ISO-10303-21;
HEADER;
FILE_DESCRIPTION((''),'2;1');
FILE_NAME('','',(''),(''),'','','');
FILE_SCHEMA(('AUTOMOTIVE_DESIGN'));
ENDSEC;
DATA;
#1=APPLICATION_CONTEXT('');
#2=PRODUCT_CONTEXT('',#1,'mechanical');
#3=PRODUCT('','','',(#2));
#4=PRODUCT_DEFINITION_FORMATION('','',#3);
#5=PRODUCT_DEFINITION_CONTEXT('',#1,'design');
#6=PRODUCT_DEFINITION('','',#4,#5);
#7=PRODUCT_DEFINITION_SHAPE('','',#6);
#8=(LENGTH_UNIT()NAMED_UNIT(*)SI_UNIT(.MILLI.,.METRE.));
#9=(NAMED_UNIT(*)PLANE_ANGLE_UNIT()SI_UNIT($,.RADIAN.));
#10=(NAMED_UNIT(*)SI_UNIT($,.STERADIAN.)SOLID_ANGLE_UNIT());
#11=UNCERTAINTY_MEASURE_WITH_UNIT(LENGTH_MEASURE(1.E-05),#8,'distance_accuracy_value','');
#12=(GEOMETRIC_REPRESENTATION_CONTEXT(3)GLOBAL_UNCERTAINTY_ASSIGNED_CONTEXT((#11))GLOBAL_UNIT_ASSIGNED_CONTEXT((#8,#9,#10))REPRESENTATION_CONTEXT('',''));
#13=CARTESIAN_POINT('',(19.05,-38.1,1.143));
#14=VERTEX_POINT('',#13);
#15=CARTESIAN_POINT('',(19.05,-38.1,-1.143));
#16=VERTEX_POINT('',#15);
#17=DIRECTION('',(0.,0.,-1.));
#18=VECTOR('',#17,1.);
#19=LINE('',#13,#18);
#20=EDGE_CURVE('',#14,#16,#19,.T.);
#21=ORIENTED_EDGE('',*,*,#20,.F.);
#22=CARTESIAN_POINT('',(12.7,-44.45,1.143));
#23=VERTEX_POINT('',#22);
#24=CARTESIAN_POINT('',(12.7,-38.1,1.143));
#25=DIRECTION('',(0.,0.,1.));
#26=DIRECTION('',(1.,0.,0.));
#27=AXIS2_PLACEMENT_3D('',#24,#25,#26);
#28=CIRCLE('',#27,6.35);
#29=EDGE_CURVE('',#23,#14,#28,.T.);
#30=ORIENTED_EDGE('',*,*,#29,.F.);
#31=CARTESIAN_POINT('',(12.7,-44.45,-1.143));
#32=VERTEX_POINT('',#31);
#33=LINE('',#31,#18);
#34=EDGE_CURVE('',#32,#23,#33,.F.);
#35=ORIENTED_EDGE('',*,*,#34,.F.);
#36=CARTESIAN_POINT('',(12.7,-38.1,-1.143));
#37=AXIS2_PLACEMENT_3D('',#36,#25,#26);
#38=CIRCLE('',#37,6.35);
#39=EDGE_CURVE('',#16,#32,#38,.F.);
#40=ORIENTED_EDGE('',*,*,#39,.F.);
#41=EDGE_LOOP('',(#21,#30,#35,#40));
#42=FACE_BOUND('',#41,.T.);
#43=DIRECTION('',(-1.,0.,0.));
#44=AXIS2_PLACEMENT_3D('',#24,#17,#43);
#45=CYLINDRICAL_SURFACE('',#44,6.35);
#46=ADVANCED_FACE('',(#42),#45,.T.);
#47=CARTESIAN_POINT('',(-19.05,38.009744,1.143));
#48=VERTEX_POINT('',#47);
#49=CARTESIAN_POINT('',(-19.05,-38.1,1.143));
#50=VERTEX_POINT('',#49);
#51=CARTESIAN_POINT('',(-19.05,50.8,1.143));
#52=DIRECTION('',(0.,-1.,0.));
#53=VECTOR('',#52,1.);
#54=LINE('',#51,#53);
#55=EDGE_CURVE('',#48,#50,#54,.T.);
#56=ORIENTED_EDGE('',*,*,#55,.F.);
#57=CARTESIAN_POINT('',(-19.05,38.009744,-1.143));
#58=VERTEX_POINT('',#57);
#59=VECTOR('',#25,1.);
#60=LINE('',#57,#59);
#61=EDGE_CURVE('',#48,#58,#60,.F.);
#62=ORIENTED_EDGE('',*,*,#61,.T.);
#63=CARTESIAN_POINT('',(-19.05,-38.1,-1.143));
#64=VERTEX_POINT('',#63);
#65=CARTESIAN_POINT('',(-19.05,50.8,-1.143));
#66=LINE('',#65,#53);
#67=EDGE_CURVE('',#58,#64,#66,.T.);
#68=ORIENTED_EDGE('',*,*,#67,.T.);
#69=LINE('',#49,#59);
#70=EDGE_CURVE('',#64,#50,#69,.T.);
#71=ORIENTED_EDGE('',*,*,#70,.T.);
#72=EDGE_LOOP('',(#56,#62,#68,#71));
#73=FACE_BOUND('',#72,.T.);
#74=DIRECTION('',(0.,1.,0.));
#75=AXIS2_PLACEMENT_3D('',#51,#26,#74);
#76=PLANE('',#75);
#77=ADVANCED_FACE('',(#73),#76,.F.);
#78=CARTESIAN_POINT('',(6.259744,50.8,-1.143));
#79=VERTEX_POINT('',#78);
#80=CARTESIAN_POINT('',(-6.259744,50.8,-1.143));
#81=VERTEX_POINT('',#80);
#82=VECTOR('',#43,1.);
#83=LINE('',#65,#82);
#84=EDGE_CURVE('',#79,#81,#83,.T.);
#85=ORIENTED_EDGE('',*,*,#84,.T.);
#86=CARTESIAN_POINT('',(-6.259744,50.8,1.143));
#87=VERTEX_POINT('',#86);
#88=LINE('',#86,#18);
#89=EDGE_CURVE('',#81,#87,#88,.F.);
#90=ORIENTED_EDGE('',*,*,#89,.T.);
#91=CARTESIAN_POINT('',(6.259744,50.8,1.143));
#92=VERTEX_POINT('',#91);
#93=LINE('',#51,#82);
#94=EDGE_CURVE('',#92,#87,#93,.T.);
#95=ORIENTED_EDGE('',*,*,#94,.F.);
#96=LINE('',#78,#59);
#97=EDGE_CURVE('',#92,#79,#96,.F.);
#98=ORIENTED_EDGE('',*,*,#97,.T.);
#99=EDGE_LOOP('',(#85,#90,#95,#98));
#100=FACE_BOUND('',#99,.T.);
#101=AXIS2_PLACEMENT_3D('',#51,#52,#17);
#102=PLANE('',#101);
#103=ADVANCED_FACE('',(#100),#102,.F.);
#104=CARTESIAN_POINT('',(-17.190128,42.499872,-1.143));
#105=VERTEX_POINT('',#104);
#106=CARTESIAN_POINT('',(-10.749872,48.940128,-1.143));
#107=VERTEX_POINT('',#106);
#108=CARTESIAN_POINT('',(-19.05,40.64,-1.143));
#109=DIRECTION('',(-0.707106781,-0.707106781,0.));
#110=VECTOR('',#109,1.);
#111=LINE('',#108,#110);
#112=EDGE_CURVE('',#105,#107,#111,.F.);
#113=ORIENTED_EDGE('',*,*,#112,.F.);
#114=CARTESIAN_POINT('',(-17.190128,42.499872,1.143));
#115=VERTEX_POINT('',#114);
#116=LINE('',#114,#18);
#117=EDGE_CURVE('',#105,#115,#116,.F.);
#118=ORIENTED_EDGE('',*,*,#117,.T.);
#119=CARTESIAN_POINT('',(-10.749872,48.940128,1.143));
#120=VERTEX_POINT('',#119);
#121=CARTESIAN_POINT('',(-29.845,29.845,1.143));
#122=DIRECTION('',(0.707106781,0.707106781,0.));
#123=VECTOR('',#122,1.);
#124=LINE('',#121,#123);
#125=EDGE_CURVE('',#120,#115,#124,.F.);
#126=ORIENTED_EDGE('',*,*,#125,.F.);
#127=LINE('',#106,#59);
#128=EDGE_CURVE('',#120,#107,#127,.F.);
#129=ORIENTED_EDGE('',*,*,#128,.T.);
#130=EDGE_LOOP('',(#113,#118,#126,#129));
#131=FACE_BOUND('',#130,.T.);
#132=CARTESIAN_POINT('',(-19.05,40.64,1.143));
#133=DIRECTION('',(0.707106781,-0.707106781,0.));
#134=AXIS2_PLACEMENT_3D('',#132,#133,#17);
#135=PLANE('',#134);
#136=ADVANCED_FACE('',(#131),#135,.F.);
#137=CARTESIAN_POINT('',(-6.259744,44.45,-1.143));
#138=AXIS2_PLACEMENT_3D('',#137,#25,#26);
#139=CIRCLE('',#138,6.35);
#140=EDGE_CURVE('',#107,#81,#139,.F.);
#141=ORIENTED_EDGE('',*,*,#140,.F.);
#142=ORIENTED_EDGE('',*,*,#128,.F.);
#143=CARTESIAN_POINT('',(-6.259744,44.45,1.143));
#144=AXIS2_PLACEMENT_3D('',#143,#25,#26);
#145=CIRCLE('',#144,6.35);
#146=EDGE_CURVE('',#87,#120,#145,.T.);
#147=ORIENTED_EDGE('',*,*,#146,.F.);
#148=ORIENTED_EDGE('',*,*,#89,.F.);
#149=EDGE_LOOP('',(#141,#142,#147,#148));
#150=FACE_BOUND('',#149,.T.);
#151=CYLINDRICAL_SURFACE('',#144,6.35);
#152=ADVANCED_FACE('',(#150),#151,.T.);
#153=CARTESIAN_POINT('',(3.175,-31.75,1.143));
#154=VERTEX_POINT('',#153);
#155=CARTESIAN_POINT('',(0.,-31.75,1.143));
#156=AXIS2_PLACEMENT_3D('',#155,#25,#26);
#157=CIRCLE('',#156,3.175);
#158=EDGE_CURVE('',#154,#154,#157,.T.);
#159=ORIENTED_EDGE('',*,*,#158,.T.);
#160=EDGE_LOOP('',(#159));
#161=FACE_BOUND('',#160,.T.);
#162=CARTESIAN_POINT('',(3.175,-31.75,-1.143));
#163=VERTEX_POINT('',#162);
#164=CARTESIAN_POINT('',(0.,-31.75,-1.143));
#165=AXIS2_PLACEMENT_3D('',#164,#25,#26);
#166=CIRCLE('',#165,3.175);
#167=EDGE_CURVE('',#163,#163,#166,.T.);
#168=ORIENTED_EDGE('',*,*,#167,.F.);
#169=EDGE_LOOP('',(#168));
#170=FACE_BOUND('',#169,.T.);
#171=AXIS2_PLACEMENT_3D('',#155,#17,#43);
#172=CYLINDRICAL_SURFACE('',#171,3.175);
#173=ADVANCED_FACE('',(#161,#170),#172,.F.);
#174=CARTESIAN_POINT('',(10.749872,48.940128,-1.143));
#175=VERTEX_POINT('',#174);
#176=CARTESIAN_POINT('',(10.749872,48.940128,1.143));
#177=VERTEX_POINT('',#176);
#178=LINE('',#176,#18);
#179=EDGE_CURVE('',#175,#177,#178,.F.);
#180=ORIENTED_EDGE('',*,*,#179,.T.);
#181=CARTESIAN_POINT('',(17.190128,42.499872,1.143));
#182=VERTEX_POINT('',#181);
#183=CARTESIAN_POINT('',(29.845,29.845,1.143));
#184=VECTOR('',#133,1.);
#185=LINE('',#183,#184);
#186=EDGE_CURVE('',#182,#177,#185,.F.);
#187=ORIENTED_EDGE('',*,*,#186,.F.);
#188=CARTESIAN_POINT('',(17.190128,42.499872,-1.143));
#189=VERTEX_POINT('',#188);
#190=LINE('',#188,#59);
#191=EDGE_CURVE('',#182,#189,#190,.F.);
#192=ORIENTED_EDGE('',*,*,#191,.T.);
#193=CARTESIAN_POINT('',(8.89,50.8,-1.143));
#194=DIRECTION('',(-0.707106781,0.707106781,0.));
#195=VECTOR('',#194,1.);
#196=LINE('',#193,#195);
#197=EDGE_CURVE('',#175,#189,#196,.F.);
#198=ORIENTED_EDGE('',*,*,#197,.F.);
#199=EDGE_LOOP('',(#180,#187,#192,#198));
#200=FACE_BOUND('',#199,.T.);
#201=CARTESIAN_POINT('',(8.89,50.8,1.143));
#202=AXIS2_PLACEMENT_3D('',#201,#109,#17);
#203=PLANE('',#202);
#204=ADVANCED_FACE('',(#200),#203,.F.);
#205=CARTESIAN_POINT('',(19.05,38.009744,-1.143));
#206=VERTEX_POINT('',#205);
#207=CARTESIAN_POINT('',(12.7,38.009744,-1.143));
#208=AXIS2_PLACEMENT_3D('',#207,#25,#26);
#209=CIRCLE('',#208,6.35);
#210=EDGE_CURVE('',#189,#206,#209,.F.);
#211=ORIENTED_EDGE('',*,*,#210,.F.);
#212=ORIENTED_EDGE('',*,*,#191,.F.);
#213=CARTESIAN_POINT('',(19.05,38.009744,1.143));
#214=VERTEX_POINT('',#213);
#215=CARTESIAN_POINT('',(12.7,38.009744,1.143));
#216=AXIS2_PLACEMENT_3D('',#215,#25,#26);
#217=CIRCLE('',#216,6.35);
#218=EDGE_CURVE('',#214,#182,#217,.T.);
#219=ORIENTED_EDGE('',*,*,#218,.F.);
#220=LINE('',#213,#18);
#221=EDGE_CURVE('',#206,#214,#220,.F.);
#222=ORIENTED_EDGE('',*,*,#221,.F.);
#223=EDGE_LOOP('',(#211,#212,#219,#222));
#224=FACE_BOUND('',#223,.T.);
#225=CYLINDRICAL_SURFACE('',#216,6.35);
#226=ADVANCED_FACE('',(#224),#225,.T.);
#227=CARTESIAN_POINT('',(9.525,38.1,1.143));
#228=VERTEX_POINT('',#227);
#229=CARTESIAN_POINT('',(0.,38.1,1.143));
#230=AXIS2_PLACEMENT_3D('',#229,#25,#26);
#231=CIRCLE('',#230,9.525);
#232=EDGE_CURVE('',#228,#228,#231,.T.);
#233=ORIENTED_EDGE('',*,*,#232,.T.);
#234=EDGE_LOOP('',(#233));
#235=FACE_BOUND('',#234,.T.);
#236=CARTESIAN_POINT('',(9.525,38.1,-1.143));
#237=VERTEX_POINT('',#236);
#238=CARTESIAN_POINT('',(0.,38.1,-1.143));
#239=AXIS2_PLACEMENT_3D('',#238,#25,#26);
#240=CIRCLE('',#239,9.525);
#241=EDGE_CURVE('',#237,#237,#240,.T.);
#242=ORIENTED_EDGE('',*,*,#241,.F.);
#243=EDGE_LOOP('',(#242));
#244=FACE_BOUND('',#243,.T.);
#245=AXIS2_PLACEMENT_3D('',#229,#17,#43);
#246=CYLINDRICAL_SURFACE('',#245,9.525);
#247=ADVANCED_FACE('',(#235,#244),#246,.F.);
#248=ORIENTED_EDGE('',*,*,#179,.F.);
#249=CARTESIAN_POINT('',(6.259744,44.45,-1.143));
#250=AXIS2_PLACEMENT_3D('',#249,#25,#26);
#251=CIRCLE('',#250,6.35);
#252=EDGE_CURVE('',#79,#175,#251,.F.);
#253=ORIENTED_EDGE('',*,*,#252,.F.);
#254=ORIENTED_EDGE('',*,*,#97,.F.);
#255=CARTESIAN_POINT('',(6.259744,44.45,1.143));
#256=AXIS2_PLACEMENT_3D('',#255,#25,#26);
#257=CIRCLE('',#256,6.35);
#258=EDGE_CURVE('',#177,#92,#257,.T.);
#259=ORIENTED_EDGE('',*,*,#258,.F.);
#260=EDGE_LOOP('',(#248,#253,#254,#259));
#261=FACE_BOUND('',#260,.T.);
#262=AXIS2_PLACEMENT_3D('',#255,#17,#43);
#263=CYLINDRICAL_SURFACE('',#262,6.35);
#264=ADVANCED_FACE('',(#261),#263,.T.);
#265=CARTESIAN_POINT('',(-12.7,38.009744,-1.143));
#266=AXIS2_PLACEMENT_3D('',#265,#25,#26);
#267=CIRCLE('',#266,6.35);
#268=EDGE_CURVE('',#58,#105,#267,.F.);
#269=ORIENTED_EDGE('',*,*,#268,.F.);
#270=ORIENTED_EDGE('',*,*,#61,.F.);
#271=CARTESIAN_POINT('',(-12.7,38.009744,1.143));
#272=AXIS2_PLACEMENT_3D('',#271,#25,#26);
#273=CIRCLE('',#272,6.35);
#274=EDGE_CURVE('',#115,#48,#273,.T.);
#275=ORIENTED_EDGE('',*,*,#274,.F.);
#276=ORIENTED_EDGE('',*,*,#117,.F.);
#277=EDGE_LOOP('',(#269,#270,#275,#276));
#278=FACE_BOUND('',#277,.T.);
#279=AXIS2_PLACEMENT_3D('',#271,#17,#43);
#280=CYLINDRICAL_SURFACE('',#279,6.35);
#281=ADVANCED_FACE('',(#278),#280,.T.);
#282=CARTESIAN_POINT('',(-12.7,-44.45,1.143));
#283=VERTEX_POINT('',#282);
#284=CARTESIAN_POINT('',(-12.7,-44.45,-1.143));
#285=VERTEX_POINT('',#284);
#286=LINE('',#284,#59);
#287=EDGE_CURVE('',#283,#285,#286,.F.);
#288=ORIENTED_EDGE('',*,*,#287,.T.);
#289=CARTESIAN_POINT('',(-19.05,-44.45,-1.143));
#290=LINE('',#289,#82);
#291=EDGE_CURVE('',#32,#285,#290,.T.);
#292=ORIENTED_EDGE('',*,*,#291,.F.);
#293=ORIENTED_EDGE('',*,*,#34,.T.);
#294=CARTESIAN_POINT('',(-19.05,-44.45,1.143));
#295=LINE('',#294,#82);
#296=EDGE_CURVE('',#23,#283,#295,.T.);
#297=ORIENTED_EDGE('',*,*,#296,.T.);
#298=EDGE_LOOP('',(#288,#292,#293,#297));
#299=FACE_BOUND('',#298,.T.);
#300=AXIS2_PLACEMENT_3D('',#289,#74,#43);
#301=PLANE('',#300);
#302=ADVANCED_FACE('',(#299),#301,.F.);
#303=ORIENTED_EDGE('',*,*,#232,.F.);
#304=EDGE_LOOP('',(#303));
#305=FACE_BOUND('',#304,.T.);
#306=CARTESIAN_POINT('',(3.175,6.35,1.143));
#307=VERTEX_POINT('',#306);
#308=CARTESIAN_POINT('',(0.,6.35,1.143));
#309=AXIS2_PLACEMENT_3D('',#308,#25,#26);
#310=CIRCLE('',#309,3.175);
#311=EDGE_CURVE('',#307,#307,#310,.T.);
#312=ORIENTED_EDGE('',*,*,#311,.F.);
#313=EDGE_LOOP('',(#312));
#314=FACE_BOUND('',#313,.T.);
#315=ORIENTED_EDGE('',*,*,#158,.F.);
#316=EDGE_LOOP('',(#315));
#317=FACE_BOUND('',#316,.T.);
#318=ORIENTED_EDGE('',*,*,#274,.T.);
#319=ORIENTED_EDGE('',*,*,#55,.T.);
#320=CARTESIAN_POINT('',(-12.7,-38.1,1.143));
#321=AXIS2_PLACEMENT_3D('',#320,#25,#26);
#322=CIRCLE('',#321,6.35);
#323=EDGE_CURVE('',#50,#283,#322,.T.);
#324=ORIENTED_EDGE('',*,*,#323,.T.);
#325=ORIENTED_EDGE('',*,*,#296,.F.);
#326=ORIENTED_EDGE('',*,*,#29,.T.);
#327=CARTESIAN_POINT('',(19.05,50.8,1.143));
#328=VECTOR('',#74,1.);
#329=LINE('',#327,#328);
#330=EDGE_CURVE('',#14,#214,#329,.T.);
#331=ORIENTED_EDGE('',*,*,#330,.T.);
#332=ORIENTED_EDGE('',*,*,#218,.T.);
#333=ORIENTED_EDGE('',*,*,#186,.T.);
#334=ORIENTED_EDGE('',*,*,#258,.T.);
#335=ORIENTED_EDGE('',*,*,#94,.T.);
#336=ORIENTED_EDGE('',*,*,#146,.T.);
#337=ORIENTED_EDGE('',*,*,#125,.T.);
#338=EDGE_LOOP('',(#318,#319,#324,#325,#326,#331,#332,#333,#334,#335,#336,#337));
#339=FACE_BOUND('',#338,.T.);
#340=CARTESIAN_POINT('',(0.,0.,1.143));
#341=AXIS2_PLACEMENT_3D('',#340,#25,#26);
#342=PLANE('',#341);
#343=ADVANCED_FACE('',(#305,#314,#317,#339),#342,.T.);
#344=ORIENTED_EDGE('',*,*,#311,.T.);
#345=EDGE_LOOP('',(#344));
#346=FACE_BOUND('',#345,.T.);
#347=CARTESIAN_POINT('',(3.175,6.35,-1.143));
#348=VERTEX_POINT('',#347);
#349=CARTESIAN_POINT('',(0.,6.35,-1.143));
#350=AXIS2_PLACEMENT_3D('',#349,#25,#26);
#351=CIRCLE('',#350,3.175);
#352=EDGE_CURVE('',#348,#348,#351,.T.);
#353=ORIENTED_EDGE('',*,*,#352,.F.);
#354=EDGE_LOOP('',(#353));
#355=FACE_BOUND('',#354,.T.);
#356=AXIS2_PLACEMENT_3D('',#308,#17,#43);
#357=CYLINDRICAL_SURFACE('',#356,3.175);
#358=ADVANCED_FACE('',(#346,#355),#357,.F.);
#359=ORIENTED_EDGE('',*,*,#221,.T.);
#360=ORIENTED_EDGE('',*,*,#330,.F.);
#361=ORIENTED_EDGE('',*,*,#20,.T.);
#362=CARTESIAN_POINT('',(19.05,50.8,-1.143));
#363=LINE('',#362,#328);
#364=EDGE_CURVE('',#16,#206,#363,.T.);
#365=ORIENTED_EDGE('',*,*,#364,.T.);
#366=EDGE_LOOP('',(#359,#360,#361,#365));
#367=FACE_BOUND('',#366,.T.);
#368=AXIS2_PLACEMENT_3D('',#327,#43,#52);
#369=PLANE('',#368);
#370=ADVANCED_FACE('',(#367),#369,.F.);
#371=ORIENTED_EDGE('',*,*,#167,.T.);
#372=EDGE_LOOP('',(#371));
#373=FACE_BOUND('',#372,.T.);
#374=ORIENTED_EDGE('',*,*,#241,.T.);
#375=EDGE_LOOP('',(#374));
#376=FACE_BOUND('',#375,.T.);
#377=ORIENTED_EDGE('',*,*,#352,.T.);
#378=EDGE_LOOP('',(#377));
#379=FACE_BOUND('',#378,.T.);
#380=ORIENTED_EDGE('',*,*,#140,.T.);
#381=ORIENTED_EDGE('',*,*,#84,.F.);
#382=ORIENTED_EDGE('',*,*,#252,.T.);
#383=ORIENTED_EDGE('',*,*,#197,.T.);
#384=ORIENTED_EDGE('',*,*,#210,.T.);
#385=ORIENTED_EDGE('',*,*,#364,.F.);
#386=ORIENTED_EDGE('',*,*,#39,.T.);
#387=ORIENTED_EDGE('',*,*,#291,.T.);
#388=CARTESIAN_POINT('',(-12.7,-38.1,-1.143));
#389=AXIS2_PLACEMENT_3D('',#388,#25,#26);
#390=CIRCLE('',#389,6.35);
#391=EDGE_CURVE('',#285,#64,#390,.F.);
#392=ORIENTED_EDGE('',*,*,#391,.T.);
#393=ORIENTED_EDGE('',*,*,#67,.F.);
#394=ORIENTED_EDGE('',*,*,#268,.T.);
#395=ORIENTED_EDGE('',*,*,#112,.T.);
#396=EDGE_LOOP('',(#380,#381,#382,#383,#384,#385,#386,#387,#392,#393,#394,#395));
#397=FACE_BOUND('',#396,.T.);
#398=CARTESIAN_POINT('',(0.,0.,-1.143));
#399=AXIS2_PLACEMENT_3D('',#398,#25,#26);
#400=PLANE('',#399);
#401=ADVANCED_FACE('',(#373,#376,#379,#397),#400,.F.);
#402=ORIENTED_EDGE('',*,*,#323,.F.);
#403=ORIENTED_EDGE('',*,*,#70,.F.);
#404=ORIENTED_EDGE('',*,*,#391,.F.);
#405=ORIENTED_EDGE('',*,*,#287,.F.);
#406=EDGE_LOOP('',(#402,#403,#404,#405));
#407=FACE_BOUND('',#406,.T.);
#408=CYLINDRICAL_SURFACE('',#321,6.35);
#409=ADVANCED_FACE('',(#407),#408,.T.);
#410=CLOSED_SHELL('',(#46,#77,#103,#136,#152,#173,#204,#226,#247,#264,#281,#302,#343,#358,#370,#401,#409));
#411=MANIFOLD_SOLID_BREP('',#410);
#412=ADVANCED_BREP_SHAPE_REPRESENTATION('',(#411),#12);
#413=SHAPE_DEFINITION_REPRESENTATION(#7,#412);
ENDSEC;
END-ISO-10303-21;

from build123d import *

# Parameters (mm, degrees)
SKETCH1_W           = 38.1
SKETCH1_H           = 101.6
SKETCH1_R           = 3.175
SKETCH1_R_2         = 9.525
BOSS_EXTRUDE1_DEPTH = 1.143
CHAMFER1_SIZE       = 10.16
FILLET1_R           = 6.35
SKETCH2_W           = 38.1
SKETCH2_H           = 6.35
CUT_EXTRUDE1_DEPTH  = 55.302562518
FILLET2_R           = 6.35


with BuildPart() as part:
    # Sketch1 → Boss-Extrude1 (new, symmetric)
    with BuildSketch(Plane.XY):
        Rectangle(SKETCH1_W, SKETCH1_H)
        with Locations((0, -31.75)):
            Circle(SKETCH1_R, mode=Mode.SUBTRACT)
        with Locations((0, 6.35)):
            Circle(SKETCH1_R, mode=Mode.SUBTRACT)
        with Locations((0, 38.1)):
            Circle(SKETCH1_R_2, mode=Mode.SUBTRACT)
    extrude(amount=BOSS_EXTRUDE1_DEPTH, both=True)

    # Chamfer1
    chamfer1_edges = [part.edges().sort_by_distance(p)[0] for p in [
        (-19.05, 50.8, 0),
        (19.05, 50.8, 0),
    ]]
    chamfer(chamfer1_edges, length=CHAMFER1_SIZE)

    # Fillet1
    fillet1_edges = [part.edges().sort_by_distance(p)[0] for p in [
        (-19.05, 40.64, 0),
        (8.89, 50.8, 0),
        (-8.89, 50.8, 0),
        (19.05, 40.64, 0),
        (19.05, -50.8, 0),
        (-19.05, -50.8, 0),
    ]]
    fillet(fillet1_edges, radius=FILLET1_R)

    # Sketch2 → Cut-Extrude1 (cut, through all)
    with BuildSketch(Plane.XY.offset(1.143)):
        with Locations((0, -47.625)):
            Rectangle(SKETCH2_W, SKETCH2_H)
    extrude(amount=-CUT_EXTRUDE1_DEPTH, mode=Mode.SUBTRACT)

    # Fillet2
    fillet2_edges = [part.edges().sort_by_distance(p)[0] for p in [
        (-19.05, -44.45, 0),
        (19.05, -44.45, 0),
    ]]
    fillet(fillet2_edges, radius=FILLET2_R)


solid = part.part
